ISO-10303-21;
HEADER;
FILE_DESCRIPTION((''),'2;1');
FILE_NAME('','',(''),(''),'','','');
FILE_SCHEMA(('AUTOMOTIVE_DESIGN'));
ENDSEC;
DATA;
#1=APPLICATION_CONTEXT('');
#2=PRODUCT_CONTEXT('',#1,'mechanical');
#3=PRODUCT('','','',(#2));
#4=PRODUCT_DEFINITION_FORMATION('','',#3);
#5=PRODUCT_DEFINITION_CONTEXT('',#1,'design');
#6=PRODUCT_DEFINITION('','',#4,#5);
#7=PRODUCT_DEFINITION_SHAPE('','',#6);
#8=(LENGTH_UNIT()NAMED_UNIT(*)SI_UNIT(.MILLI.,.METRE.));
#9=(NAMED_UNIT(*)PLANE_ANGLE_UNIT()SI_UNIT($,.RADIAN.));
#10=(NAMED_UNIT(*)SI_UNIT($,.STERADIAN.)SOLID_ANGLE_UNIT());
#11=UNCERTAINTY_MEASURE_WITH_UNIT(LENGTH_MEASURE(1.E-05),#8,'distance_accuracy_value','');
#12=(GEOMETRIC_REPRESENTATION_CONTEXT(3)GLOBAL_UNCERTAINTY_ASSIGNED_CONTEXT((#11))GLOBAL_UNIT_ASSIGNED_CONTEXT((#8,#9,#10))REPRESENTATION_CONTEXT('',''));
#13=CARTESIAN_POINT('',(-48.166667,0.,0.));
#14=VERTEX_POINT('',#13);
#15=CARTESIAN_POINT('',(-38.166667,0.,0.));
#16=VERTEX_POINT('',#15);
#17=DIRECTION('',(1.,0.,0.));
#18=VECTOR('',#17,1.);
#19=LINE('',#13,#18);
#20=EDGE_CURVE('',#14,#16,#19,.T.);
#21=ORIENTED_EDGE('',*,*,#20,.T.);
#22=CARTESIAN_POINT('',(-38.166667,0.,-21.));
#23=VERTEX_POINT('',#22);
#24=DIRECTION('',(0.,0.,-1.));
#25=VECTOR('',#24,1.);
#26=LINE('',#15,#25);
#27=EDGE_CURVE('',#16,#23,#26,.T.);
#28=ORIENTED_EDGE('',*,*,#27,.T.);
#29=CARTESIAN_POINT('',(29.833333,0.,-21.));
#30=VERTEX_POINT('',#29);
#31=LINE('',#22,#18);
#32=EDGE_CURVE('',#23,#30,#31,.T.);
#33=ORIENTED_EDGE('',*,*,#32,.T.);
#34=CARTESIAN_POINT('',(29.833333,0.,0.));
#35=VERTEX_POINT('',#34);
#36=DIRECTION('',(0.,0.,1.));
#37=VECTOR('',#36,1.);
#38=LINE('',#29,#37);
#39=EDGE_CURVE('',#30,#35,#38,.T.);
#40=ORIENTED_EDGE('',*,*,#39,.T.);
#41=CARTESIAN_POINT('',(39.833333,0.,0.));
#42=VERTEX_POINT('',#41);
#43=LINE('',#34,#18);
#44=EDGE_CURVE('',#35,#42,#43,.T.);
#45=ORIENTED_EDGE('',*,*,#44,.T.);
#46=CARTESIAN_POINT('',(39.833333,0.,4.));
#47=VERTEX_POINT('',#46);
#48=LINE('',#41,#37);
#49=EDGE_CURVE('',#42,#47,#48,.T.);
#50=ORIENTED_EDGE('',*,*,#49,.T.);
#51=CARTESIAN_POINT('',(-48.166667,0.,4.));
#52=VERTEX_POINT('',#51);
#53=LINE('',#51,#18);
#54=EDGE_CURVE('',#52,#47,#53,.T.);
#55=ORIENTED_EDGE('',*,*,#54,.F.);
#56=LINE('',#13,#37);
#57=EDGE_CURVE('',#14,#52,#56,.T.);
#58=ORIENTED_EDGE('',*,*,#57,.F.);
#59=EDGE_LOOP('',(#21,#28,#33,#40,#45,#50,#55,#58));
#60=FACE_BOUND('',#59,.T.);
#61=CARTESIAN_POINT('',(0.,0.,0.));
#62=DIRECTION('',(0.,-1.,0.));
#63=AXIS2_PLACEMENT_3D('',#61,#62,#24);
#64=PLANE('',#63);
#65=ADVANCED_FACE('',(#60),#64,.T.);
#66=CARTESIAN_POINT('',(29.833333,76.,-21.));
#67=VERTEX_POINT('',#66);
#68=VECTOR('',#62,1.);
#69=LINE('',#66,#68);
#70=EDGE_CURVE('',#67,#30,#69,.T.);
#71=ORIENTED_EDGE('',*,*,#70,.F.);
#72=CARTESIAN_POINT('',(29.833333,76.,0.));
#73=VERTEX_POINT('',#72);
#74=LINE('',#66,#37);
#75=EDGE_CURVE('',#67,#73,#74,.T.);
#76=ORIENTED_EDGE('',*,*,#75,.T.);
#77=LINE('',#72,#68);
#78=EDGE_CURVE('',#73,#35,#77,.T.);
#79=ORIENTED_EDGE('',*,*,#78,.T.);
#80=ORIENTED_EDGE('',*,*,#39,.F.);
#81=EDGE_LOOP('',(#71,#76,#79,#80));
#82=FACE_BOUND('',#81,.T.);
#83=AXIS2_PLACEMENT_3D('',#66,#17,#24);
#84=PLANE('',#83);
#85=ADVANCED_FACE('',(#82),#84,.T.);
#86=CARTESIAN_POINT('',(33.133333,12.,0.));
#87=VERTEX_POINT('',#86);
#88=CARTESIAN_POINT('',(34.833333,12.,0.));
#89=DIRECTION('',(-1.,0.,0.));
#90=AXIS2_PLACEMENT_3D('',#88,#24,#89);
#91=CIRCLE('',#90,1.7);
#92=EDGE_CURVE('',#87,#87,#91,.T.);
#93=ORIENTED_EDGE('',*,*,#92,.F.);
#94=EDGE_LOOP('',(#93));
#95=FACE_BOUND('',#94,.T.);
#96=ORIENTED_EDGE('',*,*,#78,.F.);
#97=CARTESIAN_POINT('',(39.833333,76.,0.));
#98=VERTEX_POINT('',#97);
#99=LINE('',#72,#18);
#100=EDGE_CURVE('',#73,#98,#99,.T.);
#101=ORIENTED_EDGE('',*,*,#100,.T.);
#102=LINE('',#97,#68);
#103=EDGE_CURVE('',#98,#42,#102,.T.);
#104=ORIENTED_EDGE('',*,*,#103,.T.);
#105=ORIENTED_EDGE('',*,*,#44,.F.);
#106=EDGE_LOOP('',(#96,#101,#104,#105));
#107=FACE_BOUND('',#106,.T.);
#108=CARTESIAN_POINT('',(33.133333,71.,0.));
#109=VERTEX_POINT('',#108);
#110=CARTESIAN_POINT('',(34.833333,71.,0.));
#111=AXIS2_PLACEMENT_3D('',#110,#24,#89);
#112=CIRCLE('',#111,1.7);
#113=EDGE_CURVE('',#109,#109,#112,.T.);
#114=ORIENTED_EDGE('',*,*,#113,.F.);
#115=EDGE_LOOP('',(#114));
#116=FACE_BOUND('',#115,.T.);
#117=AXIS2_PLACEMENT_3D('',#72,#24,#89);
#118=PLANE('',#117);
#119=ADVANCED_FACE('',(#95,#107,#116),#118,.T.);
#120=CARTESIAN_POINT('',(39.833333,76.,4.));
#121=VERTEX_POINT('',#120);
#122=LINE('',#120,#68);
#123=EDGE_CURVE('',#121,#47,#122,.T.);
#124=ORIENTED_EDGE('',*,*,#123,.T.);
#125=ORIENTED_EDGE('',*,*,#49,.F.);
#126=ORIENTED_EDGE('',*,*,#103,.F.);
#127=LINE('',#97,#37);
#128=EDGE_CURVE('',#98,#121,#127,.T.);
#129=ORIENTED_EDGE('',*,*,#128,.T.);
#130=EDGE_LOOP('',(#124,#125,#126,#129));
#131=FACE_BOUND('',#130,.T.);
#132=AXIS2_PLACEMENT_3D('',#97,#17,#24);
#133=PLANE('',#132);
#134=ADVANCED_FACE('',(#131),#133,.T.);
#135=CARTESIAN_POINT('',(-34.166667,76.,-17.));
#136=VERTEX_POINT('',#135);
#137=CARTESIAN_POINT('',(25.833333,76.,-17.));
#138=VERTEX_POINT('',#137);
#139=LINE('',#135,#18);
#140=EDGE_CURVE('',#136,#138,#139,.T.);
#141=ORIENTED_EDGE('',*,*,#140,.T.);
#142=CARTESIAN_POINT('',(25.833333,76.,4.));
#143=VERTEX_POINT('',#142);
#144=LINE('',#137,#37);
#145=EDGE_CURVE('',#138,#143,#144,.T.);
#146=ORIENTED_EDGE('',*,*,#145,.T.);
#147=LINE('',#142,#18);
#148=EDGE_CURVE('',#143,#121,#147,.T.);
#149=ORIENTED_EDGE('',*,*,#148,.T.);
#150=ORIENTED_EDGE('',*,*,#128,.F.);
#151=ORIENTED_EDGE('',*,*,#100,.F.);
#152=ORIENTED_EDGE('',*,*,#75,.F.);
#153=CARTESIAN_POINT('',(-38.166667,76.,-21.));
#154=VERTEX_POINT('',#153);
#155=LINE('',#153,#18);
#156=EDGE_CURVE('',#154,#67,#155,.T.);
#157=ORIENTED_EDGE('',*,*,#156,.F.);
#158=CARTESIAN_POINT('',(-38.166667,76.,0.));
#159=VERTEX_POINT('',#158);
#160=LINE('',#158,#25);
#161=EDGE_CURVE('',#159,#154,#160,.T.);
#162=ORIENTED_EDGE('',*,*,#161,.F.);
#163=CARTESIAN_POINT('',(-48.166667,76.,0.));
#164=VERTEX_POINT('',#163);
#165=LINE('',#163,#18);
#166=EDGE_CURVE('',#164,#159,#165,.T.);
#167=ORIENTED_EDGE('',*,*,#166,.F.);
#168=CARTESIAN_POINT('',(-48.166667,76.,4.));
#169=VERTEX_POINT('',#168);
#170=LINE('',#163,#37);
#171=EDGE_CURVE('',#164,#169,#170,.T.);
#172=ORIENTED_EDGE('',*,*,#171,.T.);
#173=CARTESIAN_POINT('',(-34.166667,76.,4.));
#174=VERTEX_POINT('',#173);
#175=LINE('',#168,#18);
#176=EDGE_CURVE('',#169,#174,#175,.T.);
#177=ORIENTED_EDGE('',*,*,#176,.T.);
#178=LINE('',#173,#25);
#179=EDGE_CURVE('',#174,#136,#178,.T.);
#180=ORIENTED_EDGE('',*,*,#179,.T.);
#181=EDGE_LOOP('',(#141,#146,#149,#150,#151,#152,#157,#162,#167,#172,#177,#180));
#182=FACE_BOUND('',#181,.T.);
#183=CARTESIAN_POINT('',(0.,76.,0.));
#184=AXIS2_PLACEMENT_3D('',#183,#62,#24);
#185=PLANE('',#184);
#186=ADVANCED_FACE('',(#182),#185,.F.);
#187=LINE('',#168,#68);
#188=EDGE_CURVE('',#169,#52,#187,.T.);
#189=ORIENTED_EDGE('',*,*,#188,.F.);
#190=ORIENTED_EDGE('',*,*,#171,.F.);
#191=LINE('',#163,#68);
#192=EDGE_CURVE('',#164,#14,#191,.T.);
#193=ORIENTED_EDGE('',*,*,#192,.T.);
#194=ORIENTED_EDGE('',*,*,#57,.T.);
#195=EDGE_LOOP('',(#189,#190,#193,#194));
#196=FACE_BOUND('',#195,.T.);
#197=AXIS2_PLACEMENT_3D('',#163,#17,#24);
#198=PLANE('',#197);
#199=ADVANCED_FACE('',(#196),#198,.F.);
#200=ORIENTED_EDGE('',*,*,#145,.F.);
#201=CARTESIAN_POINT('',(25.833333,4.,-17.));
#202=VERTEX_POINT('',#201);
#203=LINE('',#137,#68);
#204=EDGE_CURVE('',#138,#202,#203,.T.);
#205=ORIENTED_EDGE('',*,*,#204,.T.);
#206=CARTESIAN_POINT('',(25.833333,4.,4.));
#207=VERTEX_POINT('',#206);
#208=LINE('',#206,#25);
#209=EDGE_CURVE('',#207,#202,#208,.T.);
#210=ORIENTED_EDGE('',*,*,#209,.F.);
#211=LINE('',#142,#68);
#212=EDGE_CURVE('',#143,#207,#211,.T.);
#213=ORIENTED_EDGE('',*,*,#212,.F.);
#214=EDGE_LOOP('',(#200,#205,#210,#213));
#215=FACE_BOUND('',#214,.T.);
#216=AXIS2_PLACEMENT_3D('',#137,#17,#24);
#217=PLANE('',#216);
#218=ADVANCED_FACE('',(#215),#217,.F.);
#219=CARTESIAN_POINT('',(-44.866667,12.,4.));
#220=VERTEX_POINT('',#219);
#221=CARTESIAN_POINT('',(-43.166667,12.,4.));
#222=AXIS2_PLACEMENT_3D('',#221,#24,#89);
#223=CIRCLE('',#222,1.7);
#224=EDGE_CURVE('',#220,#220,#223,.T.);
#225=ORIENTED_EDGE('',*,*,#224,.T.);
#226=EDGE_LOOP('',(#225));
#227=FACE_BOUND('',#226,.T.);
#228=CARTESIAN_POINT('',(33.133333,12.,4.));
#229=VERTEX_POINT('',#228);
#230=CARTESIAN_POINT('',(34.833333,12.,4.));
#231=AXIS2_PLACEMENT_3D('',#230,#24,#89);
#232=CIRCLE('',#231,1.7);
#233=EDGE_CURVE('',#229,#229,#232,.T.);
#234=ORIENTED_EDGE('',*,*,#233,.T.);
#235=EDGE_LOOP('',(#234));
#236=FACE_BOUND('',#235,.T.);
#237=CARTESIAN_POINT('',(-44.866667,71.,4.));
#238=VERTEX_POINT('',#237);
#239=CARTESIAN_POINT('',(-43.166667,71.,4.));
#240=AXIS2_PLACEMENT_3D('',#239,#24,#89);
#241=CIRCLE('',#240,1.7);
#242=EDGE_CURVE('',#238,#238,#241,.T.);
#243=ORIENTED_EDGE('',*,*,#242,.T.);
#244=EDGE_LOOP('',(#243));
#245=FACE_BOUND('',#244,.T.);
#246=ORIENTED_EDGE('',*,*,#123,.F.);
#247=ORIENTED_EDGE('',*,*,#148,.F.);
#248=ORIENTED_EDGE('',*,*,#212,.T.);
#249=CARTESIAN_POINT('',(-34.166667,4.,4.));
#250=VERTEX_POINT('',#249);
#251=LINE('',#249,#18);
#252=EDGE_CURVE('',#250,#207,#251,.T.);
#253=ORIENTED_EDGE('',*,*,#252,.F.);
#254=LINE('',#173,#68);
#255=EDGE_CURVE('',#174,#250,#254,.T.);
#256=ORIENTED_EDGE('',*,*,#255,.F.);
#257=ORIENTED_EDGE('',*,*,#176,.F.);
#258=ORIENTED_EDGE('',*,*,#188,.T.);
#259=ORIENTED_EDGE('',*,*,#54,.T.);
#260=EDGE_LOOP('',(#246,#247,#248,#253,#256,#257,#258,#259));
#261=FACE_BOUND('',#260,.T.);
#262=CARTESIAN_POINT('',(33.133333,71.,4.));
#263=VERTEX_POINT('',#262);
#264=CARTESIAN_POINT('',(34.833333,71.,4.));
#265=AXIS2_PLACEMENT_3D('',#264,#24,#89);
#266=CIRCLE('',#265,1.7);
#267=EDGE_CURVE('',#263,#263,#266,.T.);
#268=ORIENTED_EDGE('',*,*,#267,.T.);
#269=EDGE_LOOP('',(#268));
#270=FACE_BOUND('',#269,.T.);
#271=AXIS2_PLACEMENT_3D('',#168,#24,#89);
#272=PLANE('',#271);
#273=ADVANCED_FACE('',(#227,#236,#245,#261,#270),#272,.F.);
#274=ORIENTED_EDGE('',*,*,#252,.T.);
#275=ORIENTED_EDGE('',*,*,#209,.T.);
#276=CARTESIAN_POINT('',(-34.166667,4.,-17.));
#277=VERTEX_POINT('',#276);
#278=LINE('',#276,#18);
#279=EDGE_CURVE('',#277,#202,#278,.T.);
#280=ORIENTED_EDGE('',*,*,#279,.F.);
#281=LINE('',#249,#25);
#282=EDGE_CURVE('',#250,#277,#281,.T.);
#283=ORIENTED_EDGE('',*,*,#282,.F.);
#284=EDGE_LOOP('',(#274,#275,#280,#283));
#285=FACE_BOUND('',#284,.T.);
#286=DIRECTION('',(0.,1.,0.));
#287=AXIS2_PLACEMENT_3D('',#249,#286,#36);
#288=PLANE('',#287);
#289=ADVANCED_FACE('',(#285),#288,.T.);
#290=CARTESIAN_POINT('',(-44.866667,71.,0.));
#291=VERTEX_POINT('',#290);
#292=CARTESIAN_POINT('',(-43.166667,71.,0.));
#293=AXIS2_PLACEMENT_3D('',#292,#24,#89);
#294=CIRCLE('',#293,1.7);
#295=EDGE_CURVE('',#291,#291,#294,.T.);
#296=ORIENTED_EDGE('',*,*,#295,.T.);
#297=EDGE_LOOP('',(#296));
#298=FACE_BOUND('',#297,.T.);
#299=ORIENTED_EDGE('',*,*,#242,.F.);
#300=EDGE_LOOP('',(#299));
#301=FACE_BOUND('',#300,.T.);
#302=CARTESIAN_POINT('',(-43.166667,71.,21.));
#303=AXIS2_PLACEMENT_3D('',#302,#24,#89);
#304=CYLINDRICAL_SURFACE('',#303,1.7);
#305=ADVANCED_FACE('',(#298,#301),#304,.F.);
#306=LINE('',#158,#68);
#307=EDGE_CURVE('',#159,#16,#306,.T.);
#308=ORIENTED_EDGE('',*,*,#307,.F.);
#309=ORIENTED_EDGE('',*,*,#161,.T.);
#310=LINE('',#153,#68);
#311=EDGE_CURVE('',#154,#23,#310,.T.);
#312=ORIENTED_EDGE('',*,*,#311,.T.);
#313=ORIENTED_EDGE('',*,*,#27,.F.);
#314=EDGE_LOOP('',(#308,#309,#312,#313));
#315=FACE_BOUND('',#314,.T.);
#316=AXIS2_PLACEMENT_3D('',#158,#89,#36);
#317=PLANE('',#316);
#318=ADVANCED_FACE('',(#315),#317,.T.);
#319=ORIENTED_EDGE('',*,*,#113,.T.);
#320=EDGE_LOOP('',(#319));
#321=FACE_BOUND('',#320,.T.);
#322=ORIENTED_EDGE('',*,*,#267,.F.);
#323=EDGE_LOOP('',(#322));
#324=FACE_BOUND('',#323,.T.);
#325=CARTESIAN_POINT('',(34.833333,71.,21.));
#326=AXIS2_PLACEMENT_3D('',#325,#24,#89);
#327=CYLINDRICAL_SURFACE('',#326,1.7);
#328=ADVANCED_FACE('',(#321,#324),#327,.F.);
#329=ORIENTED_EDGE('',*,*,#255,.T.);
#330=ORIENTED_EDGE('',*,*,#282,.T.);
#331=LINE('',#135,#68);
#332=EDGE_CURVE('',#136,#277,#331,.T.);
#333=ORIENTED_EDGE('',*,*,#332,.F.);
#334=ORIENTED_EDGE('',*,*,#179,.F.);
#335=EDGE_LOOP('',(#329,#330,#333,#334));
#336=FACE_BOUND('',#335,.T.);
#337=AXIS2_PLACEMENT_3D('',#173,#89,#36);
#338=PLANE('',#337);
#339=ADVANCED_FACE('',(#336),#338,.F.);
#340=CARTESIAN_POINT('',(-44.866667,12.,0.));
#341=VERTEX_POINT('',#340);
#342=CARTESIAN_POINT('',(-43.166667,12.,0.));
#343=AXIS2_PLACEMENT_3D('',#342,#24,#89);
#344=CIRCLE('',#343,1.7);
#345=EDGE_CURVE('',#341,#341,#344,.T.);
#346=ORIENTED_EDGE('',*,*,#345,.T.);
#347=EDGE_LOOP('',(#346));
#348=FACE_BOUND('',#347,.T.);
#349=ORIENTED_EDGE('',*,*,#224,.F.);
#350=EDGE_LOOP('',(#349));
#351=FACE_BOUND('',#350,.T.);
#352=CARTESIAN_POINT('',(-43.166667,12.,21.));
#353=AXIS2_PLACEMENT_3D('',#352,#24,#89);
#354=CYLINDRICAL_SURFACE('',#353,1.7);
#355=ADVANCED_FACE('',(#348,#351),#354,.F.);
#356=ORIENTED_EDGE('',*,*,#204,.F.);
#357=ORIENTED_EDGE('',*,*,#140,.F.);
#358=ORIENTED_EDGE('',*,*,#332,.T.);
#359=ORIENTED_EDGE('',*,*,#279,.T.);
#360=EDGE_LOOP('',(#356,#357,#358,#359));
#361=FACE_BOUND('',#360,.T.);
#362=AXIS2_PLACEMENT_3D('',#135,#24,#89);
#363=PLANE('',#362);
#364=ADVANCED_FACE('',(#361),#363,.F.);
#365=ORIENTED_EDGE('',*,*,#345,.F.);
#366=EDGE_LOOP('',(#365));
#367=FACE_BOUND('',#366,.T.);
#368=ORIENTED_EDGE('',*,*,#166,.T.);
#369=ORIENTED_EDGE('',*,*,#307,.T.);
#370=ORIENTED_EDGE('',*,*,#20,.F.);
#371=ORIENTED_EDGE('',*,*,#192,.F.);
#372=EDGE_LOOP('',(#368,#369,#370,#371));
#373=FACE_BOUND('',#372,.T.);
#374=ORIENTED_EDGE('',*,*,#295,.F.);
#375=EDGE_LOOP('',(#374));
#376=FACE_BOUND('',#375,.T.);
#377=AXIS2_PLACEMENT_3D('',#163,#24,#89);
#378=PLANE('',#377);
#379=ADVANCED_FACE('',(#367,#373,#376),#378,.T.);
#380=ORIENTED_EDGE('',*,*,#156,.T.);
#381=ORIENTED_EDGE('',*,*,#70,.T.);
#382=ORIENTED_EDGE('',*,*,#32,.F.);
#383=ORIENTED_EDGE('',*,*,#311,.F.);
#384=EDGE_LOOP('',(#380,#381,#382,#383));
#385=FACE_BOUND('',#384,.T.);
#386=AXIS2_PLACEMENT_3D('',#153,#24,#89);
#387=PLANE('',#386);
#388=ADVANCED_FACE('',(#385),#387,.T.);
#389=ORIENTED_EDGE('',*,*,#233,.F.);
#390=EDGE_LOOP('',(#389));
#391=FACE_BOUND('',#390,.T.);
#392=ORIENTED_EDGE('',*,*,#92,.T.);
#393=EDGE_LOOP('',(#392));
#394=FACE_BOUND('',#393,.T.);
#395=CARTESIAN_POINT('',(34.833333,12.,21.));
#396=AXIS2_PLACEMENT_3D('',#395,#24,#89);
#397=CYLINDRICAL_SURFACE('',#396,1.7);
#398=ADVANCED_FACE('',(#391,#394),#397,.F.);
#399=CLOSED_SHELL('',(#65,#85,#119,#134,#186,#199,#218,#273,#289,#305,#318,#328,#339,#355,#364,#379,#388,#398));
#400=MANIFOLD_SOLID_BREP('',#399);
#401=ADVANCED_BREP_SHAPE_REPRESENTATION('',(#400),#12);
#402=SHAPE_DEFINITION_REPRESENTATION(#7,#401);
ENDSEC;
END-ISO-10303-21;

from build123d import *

# Parameters (mm, degrees)
BOSS_EXTRUDE1_DEPTH = 76
SKETCH2_W           = 60
SKETCH2_H           = 4
EXTRUDE_THIN1_DEPTH = 21
SKETCH4_R           = 1.7
CUT_EXTRUDE1_DEPTH  = 21


with BuildPart() as part:
    # Sketch1 → Boss-Extrude1 (new body)
    with BuildSketch(Plane(origin=(0, 0, 0), x_dir=(1, 0, 0), z_dir=(0, 1, 0))):
        Polygon((-48.166666667, 0), (-38.166666667, 0), (-38.166666667, 21), (29.833333333, 21), (29.833333333, 0), (39.833333333, 0), (39.833333333, -4), (25.833333333, -4), (25.833333333, 17), (-34.166666667, 17), (-34.166666667, -4), (-48.166666667, -4), align=None)
    extrude(amount=BOSS_EXTRUDE1_DEPTH)

    # Sketch2 → Extrude-Thin1 (add)
    with BuildSketch(Plane.XY.offset(-17)):
        with Locations((-4.166666667, 2)):
            Rectangle(SKETCH2_W, SKETCH2_H)
    extrude(amount=EXTRUDE_THIN1_DEPTH)

    # Sketch4 → Cut-Extrude1 (cut)
    with BuildSketch(Plane(origin=(0, 0, 0), x_dir=(-1, 0, 0), z_dir=(0, 0, -1))):
        with Locations((-34.833333333, 71)):
            Circle(SKETCH4_R)
        with Locations((-34.833333333, 12)):
            Circle(SKETCH4_R)
        with Locations((43.166666667, 71)):
            Circle(SKETCH4_R)
        with Locations((43.166666667, 12)):
            Circle(SKETCH4_R)
    extrude(amount=-CUT_EXTRUDE1_DEPTH, mode=Mode.SUBTRACT)


solid = part.part
